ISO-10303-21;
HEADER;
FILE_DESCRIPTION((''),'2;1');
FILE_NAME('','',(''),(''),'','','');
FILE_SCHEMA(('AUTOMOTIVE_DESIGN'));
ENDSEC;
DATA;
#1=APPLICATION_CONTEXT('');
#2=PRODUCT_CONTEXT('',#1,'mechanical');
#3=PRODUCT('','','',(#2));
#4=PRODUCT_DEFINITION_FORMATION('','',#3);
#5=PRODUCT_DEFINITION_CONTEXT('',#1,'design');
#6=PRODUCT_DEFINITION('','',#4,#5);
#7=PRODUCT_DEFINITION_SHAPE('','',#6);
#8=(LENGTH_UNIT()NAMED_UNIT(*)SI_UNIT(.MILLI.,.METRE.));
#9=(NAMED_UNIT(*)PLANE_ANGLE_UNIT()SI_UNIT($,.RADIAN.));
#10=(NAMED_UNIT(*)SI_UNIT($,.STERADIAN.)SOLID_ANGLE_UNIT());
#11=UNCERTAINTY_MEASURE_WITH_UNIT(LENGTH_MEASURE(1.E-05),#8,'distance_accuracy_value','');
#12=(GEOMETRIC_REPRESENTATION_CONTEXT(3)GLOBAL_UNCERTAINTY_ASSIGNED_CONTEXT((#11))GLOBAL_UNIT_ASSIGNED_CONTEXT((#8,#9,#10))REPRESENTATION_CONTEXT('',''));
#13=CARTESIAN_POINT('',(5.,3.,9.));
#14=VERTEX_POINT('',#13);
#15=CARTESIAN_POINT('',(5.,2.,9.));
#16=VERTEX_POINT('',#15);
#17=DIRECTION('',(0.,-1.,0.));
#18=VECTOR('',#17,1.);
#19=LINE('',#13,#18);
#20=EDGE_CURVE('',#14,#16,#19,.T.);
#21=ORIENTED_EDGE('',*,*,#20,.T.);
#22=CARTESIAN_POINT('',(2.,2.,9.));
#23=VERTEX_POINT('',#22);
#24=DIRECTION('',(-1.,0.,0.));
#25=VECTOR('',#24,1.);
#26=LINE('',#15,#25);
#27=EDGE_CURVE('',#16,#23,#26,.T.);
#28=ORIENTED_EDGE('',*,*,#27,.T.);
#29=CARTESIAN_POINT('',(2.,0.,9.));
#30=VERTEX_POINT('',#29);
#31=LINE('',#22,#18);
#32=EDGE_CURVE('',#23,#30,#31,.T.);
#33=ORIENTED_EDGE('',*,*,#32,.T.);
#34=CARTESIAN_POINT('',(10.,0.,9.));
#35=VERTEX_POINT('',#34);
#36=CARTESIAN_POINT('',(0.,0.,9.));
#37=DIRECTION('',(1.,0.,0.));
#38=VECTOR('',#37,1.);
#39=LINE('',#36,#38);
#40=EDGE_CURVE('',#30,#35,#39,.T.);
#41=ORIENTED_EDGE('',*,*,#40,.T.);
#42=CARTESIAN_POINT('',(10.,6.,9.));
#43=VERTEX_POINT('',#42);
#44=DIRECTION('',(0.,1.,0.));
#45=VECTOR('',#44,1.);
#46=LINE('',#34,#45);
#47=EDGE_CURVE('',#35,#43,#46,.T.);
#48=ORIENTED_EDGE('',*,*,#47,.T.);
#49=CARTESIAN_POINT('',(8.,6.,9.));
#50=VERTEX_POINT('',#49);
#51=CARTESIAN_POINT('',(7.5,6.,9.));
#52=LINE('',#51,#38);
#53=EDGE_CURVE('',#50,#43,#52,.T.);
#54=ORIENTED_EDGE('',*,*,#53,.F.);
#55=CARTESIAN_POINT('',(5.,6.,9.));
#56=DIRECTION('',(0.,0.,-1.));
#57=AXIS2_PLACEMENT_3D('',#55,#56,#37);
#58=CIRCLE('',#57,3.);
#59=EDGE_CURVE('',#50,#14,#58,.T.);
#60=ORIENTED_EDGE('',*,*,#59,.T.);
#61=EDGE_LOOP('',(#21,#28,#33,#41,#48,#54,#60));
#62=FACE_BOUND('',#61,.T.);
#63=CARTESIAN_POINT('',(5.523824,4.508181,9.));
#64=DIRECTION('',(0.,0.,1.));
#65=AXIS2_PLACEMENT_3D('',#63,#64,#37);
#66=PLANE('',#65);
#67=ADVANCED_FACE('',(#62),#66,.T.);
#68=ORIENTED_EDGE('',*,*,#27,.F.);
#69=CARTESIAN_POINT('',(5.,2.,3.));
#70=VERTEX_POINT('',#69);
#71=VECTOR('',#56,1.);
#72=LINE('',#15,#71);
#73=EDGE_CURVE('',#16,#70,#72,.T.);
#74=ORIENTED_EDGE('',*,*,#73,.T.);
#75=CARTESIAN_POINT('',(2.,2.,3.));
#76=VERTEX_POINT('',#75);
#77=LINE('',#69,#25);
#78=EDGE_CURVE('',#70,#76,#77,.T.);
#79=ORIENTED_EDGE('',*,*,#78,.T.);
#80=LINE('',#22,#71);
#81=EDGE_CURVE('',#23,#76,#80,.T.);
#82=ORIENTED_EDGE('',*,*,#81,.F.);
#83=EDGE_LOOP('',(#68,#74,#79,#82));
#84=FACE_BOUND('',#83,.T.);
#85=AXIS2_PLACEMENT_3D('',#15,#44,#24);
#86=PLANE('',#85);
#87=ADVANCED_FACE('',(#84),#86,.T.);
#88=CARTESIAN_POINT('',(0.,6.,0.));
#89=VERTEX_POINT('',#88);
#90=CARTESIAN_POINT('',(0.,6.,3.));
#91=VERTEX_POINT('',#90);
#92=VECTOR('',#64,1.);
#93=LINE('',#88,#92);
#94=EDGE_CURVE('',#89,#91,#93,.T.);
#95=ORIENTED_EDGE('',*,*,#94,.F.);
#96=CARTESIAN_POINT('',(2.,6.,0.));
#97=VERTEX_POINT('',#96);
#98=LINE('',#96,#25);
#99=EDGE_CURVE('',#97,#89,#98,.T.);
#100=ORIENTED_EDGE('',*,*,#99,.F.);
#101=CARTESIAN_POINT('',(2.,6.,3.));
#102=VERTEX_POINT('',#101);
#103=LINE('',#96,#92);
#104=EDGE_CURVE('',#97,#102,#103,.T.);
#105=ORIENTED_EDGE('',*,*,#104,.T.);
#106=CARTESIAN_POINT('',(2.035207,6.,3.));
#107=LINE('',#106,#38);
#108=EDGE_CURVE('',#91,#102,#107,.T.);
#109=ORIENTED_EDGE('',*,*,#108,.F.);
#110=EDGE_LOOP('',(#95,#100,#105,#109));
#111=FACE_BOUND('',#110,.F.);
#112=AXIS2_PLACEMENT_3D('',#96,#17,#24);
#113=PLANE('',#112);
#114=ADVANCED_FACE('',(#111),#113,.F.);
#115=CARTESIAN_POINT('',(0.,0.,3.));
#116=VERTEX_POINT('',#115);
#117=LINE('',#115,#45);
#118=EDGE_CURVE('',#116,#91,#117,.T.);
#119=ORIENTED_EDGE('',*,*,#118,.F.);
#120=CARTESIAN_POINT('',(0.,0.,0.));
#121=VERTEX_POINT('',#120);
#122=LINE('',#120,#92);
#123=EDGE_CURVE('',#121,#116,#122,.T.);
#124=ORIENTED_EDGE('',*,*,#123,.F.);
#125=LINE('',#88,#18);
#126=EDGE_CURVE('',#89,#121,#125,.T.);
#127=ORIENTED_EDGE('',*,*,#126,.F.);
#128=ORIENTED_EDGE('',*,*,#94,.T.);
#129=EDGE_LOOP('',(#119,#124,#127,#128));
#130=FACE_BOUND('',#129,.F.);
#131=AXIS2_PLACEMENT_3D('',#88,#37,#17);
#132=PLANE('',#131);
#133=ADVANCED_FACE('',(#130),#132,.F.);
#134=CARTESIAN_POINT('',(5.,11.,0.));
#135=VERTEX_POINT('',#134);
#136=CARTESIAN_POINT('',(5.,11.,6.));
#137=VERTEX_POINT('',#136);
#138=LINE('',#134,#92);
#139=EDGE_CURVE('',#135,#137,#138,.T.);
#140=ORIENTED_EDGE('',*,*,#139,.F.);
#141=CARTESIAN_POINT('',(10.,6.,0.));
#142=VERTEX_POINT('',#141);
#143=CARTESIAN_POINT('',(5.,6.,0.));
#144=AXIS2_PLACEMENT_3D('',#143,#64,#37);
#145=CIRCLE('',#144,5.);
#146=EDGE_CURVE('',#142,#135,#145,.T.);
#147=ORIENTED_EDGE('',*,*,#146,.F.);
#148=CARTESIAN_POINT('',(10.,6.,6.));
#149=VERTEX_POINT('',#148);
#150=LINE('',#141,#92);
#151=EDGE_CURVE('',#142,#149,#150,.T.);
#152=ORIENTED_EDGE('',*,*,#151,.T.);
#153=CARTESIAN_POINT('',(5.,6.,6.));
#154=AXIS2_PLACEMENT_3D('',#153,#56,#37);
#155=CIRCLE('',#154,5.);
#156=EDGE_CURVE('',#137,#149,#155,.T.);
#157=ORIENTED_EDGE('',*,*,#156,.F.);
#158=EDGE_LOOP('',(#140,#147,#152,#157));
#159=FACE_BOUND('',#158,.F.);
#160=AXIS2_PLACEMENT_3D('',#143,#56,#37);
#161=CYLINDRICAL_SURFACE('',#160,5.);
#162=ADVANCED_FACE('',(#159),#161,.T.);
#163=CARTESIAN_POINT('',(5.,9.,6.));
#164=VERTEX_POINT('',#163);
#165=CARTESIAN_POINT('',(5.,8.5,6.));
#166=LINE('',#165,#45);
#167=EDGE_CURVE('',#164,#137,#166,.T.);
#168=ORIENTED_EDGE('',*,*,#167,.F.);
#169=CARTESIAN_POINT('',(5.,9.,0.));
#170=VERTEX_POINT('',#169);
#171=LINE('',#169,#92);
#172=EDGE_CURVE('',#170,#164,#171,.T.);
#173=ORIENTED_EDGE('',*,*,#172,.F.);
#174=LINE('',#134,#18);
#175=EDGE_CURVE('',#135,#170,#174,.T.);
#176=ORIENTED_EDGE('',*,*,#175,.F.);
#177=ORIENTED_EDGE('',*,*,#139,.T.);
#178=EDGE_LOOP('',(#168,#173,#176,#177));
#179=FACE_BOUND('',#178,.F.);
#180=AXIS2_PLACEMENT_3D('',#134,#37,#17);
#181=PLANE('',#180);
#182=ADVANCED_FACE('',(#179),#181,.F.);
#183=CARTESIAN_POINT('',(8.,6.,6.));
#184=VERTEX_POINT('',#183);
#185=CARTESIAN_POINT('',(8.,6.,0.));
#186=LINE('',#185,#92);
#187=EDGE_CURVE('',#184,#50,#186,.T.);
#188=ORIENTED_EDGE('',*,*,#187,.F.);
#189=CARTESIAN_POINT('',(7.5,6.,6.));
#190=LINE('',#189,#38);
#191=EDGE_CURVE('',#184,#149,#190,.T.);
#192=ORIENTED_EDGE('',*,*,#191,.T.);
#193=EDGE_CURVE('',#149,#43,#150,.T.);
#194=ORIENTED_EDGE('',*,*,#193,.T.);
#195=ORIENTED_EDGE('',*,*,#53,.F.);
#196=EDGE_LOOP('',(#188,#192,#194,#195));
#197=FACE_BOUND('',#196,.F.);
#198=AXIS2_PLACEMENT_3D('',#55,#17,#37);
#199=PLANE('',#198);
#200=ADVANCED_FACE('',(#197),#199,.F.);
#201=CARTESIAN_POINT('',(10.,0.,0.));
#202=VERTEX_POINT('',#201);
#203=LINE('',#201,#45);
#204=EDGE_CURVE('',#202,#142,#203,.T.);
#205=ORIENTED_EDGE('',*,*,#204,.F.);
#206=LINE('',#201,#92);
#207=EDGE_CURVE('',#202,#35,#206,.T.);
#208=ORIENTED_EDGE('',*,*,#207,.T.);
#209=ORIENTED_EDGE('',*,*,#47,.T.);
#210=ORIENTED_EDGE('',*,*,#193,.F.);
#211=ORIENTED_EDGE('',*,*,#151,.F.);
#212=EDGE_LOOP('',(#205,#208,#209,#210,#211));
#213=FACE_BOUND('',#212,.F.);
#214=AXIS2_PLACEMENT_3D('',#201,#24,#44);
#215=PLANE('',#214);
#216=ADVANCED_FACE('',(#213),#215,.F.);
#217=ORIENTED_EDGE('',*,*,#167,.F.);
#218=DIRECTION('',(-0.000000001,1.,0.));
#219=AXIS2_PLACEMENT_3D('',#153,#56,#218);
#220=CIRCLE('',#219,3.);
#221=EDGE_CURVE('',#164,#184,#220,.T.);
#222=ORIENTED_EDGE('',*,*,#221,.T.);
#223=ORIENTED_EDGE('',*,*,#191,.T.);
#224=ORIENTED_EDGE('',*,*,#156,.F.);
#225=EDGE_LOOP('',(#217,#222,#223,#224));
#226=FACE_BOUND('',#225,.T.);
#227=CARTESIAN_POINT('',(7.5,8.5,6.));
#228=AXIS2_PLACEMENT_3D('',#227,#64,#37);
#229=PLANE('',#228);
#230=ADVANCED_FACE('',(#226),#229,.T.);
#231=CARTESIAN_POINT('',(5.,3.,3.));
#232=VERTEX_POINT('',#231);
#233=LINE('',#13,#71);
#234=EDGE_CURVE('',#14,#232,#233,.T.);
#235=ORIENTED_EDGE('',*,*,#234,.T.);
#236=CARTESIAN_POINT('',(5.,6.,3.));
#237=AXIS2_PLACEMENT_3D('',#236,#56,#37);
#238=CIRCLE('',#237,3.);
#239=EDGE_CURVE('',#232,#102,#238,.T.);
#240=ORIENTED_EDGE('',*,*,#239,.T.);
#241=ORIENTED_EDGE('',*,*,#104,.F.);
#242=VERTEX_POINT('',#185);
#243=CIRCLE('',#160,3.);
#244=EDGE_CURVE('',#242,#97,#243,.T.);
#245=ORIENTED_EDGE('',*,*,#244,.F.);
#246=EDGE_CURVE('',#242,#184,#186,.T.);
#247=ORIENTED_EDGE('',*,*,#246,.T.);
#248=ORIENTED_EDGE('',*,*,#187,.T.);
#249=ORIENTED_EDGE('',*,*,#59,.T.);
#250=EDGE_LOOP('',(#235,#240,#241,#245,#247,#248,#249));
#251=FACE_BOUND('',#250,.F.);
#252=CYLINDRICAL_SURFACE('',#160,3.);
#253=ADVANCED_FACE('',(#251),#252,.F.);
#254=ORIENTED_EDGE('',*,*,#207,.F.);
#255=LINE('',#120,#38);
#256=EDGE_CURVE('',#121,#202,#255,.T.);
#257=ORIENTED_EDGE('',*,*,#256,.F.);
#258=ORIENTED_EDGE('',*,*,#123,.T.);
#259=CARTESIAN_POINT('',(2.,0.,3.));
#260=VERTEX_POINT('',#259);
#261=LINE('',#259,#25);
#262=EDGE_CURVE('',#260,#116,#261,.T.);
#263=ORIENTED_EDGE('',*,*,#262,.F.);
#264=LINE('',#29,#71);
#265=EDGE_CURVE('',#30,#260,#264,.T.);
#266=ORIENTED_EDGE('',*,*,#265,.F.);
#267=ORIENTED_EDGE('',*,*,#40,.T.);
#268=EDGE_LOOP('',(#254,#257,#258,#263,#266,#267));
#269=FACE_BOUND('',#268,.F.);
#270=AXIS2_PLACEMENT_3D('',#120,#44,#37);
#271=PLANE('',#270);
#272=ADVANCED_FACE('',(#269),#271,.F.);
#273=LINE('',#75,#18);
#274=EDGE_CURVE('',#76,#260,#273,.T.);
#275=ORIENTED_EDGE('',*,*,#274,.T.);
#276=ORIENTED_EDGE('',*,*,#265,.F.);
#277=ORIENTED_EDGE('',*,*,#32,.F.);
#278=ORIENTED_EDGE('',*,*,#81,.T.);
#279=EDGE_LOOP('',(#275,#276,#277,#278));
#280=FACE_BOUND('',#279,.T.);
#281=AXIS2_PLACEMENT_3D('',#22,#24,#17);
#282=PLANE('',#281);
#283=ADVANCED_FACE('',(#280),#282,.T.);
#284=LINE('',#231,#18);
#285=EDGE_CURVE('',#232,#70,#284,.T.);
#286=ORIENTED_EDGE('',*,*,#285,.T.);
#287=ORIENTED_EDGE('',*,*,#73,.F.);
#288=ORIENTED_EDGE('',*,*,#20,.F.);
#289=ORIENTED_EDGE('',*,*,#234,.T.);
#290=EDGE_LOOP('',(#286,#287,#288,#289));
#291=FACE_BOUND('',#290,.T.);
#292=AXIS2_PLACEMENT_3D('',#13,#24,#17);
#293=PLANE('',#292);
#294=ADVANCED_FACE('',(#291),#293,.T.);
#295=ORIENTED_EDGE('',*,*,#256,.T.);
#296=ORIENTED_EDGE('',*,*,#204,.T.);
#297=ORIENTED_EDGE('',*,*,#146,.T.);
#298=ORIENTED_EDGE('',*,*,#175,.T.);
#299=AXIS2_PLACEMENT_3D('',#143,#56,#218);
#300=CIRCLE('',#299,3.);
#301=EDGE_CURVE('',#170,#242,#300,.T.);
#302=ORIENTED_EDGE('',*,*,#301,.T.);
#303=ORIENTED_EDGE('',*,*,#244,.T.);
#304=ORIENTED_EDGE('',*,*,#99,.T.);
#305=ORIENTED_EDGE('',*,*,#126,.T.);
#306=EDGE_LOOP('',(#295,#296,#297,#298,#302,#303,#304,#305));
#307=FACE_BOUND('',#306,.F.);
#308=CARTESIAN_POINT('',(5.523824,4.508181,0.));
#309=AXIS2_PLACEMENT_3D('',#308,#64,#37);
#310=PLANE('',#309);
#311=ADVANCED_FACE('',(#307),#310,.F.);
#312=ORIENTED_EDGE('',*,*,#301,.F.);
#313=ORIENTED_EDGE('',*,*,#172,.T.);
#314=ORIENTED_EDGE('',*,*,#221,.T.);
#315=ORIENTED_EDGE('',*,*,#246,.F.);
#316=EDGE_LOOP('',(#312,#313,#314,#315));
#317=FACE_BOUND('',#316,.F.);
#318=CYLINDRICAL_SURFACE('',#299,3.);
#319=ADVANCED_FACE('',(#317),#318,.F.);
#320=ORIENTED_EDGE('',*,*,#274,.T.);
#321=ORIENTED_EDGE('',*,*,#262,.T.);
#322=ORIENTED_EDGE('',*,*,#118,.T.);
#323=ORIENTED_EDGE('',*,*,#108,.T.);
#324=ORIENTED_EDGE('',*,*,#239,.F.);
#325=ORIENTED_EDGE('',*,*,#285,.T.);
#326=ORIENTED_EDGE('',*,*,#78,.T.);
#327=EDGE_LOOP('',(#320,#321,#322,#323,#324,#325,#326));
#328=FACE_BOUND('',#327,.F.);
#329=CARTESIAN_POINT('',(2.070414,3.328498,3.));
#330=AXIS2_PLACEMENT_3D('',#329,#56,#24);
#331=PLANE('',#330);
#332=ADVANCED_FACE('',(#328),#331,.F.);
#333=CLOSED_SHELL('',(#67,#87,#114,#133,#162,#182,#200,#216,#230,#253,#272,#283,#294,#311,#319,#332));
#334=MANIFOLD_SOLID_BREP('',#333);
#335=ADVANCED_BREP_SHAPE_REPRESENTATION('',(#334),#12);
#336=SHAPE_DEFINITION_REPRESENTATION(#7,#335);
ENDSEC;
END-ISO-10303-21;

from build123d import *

# Parameters (mm, degrees)
BOSS_EXTRUDE1_DEPTH = 9
SKETCH2_W           = 5
SKETCH2_H           = 5
CUT_EXTRUDE1_DEPTH  = 3
CUT_EXTRUDE2_DEPTH  = 6


with BuildPart() as part:
    # Sketch1 → Boss-Extrude1 (new body)
    with BuildSketch(Plane.XY):
        with BuildLine():
            ThreePointArc((10, 6), (8.535533906, 9.535533906), (5, 11))
            Line((5, 11), (5, 9))
            ThreePointArc((5, 9), (7.121320344, 8.121320344), (8, 6))
            ThreePointArc((8, 6), (5, 3), (2, 6))
            Line((2, 6), (0, 6))
            Line((0, 6), (0, 0))
            Line((0, 0), (10, 0))
            Line((10, 0), (10, 6))
        make_face()
    extrude(amount=BOSS_EXTRUDE1_DEPTH)

    # Sketch2 → Cut-Extrude1 (cut)
    with BuildSketch(Plane.XY.offset(9)):
        with Locations((7.5, 8.5)):
            Rectangle(SKETCH2_W, SKETCH2_H)
    extrude(amount=-CUT_EXTRUDE1_DEPTH, mode=Mode.SUBTRACT)

    # Sketch3 → Cut-Extrude2 (cut)
    with BuildSketch(Plane.XY.offset(9)):
        Polygon((5, 3), (5, 2), (2, 2), (2, 0), (0, 0), (0, 6.616008908), (4.654546825, 5.714332837), align=None)
    extrude(amount=-CUT_EXTRUDE2_DEPTH, mode=Mode.SUBTRACT)


solid = part.part
